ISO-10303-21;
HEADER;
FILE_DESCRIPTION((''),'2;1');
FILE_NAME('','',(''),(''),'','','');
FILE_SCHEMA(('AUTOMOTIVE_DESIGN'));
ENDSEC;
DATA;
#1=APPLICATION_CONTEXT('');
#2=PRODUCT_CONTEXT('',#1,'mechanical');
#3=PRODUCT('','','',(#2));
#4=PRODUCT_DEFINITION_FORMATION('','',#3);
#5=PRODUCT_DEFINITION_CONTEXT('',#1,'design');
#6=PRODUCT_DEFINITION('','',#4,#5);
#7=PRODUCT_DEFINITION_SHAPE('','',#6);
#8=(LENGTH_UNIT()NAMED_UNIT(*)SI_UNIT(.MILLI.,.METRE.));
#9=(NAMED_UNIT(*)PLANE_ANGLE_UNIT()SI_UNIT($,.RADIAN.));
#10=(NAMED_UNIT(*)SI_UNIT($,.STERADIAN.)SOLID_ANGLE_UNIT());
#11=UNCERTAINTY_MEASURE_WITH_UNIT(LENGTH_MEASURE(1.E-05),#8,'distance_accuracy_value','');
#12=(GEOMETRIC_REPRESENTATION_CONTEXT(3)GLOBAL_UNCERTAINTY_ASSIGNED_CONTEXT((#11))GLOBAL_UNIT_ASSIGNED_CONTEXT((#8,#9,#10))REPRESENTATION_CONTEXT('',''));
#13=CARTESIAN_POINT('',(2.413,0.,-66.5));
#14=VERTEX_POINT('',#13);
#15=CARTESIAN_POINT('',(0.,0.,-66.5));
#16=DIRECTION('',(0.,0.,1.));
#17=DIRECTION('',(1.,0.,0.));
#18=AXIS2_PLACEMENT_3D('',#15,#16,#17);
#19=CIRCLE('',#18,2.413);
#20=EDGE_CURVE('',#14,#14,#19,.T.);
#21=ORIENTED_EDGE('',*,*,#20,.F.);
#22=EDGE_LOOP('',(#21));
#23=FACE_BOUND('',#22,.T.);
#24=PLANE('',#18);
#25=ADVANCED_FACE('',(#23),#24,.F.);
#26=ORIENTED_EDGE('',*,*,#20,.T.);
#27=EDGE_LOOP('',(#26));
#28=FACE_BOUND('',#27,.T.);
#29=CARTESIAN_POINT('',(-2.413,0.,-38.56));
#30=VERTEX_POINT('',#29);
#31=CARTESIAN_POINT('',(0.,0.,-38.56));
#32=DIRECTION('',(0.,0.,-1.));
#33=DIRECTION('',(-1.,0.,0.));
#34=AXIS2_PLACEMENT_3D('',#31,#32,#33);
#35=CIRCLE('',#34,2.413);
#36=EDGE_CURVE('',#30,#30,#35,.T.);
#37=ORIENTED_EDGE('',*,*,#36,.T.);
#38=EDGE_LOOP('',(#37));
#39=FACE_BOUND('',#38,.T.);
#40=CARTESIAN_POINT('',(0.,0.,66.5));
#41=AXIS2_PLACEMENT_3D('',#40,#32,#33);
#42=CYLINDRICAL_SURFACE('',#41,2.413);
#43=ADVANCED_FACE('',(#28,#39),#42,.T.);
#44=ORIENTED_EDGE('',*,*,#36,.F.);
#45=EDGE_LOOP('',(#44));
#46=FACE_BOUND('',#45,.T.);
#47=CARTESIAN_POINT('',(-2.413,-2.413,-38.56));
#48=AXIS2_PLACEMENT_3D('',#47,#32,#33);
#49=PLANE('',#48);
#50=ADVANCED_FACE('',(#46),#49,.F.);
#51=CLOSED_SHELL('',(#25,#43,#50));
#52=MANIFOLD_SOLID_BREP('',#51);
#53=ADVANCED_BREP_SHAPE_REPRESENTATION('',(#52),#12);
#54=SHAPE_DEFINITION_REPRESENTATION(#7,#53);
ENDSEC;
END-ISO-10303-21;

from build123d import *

# Parameters (mm, degrees)
SKETCH1_R               = 2.413
BOSS_EXTRUDE1_DEPTH     = 66.5
SKETCH2_W               = 4.826
SKETCH2_H               = 0.508
CUT_EXTRUDE1_DEPTH      = 6
CUT_EXTRUDE2_DEPTH      = 67.587499863
CUT_EXTRUDE2_DEPTH_BACK = 67.587499863
SKETCH3_W               = 4.826
SKETCH3_H               = 105.06


with BuildPart() as part:
    # Sketch1 → Boss-Extrude1 (new, symmetric)
    with BuildSketch(Plane.XY):
        Circle(SKETCH1_R)
    extrude(amount=BOSS_EXTRUDE1_DEPTH, both=True)

    # Sketch2 → Cut-Extrude1 (cut)
    with BuildSketch(Plane.XY.offset(66.5)):
        with Locations((0, 2.159)):
            Rectangle(SKETCH2_W, SKETCH2_H)
    extrude(amount=-CUT_EXTRUDE1_DEPTH, mode=Mode.SUBTRACT)

    # Sketch3 → Cut-Extrude2 (cut, two sides: drawn at the far end of the back side and taken through both)
    with BuildSketch(Plane(origin=(0, 0, 0), x_dir=(1, 0, 0), z_dir=(0, 1, 0)).offset(-CUT_EXTRUDE2_DEPTH_BACK)):
        with Locations((0, -13.97)):
            Rectangle(SKETCH3_W, SKETCH3_H)
    extrude(amount=CUT_EXTRUDE2_DEPTH + CUT_EXTRUDE2_DEPTH_BACK, mode=Mode.SUBTRACT)


solid = part.part
